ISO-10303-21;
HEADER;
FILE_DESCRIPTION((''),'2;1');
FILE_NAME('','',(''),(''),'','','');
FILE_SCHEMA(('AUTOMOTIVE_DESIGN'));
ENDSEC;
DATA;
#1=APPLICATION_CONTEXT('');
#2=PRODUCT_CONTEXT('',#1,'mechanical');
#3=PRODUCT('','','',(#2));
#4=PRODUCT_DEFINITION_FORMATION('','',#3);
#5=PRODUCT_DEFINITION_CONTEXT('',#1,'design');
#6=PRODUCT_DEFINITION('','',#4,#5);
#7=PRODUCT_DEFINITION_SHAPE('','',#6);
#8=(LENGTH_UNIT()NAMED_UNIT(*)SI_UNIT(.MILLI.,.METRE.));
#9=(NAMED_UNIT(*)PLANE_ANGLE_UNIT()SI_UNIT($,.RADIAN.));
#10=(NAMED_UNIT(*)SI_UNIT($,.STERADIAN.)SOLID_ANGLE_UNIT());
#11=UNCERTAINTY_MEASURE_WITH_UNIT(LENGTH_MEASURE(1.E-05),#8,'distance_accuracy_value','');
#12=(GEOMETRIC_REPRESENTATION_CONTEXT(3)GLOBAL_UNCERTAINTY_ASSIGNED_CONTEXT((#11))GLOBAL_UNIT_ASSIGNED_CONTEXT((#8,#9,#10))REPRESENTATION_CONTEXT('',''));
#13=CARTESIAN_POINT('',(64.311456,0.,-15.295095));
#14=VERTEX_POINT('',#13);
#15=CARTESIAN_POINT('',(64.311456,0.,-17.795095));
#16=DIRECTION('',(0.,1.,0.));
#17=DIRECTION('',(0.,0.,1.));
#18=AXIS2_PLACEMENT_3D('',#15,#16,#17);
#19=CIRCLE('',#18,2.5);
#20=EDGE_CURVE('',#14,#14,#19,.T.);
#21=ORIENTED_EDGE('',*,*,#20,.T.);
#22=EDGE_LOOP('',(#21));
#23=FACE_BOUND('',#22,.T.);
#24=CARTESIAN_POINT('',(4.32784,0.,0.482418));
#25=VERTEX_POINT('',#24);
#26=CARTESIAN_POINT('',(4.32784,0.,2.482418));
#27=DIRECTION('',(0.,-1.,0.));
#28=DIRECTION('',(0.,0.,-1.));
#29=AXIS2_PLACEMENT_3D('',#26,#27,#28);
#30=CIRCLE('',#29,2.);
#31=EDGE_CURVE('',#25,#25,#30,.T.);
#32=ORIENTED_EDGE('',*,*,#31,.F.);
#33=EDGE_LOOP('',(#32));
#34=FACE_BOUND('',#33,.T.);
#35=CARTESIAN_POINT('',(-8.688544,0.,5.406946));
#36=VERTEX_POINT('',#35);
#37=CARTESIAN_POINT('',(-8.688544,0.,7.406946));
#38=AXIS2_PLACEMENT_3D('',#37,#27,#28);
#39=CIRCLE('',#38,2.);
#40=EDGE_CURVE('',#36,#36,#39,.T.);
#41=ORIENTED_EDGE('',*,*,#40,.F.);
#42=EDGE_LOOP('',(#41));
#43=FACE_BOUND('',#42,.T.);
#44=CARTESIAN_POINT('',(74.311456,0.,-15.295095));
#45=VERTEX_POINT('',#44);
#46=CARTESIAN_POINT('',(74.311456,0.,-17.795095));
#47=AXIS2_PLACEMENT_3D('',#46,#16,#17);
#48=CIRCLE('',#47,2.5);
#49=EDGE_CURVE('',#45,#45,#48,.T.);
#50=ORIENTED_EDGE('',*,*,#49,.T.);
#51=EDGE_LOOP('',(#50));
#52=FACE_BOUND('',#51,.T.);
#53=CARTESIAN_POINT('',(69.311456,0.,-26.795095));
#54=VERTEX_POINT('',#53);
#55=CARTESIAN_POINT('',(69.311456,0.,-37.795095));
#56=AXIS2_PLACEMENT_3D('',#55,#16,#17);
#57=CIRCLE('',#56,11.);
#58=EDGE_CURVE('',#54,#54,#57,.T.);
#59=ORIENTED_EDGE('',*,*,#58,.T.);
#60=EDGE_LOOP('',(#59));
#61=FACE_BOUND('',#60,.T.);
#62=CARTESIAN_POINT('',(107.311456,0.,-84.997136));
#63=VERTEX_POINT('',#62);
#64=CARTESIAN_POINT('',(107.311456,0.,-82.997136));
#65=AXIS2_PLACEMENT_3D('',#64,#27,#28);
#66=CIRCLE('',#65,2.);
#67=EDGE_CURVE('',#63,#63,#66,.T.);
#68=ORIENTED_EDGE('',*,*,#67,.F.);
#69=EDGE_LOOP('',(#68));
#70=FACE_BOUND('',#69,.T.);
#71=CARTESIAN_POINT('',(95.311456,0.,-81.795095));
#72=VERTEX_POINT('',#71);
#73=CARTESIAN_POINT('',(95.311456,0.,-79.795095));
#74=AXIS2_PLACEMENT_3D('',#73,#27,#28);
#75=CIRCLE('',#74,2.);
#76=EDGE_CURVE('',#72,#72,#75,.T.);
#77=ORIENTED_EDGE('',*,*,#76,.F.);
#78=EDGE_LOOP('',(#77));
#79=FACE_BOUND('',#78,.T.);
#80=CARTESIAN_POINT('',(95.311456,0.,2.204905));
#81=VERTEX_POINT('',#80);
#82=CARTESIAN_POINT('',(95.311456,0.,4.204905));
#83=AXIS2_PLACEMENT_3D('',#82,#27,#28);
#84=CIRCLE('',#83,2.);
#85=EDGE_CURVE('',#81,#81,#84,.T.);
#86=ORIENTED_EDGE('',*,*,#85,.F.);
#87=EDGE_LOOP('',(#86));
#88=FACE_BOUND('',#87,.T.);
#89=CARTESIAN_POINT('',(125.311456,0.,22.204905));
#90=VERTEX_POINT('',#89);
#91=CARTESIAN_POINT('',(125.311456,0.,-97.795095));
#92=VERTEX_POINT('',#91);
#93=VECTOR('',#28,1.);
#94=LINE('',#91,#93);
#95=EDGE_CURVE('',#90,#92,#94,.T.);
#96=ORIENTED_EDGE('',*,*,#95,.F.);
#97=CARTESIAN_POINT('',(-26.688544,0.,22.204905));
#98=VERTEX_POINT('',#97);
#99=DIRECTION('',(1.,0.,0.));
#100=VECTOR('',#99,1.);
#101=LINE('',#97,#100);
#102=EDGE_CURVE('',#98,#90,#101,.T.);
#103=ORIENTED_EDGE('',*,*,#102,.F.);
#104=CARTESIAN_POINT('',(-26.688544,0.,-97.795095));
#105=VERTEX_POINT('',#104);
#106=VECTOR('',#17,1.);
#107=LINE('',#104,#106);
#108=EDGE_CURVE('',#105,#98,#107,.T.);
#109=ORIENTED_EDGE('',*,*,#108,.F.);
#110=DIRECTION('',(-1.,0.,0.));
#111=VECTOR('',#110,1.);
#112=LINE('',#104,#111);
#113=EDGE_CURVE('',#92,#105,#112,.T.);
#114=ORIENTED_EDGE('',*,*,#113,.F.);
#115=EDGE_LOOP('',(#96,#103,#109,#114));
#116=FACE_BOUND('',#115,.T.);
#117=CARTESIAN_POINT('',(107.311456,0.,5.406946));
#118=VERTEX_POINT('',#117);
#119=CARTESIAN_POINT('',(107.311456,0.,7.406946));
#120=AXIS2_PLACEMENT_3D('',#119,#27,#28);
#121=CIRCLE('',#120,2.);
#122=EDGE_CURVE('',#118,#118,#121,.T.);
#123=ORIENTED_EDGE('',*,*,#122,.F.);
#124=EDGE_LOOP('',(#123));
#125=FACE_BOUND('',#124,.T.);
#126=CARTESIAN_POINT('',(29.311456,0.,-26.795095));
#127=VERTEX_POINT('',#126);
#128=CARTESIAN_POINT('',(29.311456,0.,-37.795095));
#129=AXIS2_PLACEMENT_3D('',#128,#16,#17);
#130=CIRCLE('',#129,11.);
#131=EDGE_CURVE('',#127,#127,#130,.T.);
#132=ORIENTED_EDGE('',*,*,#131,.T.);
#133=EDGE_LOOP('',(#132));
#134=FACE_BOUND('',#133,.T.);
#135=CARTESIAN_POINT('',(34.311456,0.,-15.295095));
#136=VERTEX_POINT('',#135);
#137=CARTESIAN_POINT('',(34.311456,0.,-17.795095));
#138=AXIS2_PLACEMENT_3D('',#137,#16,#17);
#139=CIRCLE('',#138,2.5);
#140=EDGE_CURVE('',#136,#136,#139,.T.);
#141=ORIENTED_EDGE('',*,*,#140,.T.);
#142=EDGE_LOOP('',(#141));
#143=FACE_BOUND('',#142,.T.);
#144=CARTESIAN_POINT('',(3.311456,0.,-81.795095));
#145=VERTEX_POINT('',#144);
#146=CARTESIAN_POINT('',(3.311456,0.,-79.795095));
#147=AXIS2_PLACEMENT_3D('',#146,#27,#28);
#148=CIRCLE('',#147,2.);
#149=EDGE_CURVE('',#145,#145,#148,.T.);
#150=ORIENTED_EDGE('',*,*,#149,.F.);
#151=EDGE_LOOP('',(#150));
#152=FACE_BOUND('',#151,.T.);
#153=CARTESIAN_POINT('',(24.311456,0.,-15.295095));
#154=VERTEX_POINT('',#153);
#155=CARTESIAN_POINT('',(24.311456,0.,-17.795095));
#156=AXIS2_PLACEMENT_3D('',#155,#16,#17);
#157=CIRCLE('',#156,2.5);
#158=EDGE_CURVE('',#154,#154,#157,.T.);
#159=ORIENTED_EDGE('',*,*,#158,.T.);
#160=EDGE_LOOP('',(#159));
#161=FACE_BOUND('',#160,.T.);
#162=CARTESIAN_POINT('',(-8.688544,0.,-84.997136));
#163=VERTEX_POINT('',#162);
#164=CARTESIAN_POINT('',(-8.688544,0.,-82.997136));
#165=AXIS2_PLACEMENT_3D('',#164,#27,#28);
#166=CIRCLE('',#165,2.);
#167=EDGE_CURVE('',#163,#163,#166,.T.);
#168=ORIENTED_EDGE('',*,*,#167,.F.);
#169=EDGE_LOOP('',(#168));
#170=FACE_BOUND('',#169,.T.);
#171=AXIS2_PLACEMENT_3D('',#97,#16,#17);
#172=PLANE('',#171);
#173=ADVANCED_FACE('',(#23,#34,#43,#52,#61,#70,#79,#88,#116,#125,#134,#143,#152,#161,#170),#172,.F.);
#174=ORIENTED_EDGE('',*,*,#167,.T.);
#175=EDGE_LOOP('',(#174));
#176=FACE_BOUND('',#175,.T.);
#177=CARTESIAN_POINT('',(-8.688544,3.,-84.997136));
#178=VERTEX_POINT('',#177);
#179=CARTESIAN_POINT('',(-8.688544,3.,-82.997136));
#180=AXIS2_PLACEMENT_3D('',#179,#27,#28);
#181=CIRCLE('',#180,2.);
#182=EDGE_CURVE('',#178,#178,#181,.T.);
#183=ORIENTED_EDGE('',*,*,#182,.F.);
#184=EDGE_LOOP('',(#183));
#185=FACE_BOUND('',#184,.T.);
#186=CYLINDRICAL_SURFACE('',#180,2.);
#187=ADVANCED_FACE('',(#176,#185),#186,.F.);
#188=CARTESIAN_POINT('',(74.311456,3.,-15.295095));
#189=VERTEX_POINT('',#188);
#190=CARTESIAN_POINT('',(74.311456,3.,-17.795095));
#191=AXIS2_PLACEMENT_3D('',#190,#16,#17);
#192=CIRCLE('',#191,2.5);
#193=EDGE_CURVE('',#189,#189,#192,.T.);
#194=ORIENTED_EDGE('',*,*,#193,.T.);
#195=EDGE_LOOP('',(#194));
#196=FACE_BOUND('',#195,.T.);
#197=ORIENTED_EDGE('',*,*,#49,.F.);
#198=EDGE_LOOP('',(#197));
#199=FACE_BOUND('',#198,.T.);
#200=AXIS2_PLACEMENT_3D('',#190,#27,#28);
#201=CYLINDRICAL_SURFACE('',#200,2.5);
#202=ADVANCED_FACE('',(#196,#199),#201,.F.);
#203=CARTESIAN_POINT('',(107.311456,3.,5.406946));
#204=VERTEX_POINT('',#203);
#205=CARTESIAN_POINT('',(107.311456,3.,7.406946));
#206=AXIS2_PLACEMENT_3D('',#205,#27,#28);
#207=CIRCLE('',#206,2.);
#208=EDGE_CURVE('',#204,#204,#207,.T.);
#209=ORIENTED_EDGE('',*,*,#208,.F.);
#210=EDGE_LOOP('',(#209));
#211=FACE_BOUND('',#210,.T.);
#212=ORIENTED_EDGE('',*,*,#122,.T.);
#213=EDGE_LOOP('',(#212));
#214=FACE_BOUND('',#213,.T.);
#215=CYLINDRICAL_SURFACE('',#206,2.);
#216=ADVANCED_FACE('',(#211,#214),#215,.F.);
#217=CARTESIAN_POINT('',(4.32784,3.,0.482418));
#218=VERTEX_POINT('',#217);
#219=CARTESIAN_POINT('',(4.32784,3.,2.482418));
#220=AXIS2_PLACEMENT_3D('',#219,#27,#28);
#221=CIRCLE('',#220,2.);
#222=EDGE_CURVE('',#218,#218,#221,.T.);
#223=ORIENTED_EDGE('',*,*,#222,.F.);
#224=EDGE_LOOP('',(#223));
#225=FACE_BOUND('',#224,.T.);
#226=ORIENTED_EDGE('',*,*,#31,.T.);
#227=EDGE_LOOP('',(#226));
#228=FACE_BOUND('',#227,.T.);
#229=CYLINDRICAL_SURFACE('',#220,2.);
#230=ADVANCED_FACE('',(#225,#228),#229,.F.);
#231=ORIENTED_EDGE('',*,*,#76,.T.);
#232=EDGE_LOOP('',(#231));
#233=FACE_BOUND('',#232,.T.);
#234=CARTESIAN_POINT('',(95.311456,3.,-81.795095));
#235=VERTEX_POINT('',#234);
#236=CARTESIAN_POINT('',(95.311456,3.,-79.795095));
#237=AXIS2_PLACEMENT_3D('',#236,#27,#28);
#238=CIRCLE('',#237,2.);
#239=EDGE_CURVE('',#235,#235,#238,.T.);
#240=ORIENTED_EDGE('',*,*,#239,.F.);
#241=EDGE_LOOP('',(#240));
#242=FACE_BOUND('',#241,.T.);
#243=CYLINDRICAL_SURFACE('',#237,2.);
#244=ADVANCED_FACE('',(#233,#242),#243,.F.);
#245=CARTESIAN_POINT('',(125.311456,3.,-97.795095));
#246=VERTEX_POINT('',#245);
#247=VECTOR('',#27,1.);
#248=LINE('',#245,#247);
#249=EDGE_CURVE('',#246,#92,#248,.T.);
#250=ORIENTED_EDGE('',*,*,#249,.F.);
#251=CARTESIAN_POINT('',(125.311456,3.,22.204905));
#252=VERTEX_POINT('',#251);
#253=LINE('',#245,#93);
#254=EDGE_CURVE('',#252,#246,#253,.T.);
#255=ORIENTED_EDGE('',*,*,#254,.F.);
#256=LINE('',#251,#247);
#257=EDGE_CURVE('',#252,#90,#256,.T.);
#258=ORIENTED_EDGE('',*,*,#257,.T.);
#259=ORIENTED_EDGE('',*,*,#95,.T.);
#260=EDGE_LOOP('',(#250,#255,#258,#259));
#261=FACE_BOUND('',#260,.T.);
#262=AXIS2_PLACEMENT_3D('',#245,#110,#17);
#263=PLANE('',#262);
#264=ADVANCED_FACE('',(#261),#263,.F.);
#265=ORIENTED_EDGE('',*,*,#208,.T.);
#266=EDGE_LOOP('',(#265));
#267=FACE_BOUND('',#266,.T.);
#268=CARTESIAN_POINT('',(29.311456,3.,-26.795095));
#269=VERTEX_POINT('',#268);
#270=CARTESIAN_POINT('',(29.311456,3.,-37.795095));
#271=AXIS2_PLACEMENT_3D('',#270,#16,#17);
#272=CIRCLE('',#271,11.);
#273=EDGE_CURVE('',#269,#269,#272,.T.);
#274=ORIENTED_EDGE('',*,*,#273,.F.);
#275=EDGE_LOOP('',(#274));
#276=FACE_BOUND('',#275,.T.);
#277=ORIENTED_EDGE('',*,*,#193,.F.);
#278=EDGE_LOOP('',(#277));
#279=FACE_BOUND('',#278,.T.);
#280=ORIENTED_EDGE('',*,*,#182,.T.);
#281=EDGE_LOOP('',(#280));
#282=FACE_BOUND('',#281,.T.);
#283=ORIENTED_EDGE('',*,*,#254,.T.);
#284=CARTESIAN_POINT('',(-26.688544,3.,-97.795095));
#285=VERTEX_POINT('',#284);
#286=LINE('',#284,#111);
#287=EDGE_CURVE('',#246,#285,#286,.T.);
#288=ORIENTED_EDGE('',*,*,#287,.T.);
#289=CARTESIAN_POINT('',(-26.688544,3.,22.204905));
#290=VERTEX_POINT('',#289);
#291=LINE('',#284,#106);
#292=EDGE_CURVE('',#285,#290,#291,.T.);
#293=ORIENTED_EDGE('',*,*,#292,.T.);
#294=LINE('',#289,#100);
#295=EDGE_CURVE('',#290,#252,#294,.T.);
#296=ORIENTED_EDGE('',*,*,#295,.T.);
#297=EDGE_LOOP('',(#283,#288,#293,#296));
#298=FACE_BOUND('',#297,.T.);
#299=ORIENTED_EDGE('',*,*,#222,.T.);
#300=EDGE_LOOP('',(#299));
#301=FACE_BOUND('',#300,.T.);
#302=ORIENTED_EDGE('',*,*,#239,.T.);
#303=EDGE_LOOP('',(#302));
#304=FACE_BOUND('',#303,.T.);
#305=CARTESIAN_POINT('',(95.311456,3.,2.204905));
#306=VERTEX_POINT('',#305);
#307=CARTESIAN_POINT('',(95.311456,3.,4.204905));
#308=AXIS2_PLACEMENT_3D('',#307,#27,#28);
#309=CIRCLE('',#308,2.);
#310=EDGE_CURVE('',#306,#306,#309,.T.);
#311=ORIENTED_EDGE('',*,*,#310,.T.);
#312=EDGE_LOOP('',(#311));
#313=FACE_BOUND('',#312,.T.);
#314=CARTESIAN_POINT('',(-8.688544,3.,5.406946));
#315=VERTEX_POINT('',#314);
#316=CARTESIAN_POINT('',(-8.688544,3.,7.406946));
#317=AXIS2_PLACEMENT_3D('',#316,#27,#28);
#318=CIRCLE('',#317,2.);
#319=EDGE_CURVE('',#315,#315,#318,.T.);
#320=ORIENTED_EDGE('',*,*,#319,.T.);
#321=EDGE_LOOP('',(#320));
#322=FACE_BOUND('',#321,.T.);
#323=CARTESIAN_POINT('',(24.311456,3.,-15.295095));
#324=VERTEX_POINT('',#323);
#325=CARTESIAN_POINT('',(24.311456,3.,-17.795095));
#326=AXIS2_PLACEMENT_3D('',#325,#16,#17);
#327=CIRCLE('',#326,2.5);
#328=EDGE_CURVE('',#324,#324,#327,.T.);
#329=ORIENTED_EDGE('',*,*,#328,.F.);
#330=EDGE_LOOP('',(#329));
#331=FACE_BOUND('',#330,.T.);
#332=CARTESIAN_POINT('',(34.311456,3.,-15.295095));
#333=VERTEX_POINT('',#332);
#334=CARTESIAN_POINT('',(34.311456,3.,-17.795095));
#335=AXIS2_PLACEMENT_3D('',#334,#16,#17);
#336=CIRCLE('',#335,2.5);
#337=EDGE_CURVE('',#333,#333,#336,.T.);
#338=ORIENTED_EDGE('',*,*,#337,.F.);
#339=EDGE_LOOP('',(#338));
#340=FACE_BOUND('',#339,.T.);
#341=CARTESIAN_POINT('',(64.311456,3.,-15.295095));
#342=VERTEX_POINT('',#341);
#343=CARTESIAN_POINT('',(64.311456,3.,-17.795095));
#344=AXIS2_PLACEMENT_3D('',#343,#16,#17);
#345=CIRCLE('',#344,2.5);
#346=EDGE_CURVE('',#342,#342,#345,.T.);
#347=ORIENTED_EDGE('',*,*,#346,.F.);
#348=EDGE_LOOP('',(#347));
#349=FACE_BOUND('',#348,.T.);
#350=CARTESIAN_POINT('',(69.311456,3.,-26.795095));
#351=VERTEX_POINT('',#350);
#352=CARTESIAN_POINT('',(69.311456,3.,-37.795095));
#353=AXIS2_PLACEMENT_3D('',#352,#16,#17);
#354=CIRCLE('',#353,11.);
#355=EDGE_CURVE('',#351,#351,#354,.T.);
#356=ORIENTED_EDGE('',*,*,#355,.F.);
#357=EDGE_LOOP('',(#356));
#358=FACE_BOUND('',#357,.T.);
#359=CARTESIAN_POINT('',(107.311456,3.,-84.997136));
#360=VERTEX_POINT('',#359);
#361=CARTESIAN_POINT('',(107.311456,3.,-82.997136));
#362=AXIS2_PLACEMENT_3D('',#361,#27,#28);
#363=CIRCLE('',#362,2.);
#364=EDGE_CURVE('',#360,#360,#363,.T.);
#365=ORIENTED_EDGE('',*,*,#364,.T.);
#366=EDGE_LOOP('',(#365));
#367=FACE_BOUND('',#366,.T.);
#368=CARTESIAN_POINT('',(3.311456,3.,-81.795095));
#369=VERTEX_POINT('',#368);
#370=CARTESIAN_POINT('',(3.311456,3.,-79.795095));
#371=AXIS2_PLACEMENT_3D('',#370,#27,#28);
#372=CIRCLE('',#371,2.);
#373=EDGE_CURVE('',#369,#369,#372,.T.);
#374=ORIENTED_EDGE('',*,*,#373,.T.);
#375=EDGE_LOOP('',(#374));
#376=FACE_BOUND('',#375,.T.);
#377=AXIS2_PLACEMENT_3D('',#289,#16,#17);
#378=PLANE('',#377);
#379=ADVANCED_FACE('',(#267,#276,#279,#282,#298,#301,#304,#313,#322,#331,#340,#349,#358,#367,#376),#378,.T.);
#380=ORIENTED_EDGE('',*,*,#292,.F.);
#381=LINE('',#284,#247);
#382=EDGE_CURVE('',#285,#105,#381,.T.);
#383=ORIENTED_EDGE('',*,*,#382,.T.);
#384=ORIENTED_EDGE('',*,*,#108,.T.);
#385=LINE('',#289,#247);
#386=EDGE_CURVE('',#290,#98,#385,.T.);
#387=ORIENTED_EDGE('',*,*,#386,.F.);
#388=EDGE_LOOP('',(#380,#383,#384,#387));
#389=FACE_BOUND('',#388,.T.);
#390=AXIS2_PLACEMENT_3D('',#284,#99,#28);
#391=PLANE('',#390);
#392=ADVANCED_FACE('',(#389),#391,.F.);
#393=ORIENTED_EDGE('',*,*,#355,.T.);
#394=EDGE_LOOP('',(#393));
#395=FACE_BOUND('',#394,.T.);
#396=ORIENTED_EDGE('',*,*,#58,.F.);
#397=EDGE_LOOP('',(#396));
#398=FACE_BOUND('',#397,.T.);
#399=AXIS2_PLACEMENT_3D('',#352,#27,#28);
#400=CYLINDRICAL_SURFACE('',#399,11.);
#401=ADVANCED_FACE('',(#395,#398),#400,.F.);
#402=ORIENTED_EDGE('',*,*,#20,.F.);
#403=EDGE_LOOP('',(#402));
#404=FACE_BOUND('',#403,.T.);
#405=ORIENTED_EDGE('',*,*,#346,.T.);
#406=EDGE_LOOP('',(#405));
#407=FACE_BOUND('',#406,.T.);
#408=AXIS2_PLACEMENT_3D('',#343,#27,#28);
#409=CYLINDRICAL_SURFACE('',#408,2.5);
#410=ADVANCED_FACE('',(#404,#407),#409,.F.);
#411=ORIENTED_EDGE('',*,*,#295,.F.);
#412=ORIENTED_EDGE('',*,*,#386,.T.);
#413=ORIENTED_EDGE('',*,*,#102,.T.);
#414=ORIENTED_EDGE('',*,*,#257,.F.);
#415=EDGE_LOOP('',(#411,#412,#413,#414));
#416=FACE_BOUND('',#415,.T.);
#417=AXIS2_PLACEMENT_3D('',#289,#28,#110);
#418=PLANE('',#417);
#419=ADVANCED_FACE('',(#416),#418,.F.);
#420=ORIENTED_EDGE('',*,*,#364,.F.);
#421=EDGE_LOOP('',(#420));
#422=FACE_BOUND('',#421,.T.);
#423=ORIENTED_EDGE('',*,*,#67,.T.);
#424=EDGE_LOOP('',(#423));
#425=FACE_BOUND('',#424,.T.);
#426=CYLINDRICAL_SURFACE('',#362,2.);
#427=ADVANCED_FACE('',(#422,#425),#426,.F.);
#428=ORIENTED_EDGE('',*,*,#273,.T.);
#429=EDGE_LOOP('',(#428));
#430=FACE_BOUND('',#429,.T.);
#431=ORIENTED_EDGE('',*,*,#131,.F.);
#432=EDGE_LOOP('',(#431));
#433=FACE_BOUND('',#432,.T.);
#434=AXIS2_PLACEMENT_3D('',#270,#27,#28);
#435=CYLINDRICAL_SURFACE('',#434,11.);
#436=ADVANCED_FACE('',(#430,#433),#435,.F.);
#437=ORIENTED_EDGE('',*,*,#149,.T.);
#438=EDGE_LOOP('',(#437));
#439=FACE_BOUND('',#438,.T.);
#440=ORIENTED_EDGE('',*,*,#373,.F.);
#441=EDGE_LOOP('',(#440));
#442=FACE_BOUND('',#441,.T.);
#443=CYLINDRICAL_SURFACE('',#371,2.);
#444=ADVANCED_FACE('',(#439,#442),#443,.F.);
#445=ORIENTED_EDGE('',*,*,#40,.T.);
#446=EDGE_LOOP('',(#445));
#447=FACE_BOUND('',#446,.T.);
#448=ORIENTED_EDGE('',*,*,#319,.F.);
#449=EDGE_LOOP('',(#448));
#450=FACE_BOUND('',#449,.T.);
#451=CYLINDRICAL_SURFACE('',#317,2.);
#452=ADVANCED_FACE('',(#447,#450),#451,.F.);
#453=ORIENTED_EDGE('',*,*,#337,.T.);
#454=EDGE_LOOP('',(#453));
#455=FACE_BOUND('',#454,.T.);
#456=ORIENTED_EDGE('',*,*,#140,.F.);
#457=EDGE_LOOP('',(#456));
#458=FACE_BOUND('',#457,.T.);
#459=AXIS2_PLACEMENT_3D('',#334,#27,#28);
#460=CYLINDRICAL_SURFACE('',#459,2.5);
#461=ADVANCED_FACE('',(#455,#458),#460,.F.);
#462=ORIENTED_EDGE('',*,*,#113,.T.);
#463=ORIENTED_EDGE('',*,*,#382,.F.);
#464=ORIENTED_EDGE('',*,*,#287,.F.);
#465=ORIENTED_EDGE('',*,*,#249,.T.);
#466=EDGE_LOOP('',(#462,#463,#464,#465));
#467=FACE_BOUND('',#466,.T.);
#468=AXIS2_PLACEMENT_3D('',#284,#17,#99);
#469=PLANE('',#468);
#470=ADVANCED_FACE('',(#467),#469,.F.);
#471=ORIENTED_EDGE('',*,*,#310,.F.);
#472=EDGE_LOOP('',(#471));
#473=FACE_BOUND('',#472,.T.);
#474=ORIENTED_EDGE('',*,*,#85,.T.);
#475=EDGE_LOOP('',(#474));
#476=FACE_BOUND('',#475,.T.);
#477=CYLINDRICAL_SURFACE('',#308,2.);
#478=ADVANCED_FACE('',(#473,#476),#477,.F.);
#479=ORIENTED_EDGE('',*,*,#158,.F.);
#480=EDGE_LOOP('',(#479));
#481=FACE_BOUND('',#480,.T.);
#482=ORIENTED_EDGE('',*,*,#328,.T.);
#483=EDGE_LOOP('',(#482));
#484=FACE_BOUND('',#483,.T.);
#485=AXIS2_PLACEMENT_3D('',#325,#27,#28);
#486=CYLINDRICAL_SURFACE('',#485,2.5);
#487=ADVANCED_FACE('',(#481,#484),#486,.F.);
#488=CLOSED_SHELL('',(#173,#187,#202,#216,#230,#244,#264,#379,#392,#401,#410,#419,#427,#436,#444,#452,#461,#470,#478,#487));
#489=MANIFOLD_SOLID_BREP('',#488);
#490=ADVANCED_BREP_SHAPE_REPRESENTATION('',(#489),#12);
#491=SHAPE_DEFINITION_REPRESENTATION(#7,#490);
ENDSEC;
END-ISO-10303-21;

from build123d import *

# Parameters (mm, degrees)
SKETCH1_W           = 152
SKETCH1_H           = 120
SKETCH1_R           = 2.5
SKETCH1_R_2         = 11
BOSS_EXTRUDE1_DEPTH = 3
SKETCH2_R           = 2
CUT_EXTRUDE1_DEPTH  = 4


with BuildPart() as part:
    # Sketch1 → Boss-Extrude1 (new body)
    with BuildSketch(Plane(origin=(0, 0, 0), x_dir=(1, 0, 0), z_dir=(0, 1, 0))):
        with Locations((49.311456102, 37.795094937)):
            Rectangle(SKETCH1_W, SKETCH1_H)
        with Locations((24.311456102, 17.795094937)):
            Circle(SKETCH1_R, mode=Mode.SUBTRACT)
        with Locations((34.311456102, 17.795094937)):
            Circle(SKETCH1_R, mode=Mode.SUBTRACT)
        with Locations((64.311456102, 17.795094937)):
            Circle(SKETCH1_R, mode=Mode.SUBTRACT)
        with Locations((74.311456102, 17.795094937)):
            Circle(SKETCH1_R, mode=Mode.SUBTRACT)
        with Locations((29.311456102, 37.795094937)):
            Circle(SKETCH1_R_2, mode=Mode.SUBTRACT)
        with Locations((69.311456102, 37.795094937)):
            Circle(SKETCH1_R_2, mode=Mode.SUBTRACT)
    extrude(amount=BOSS_EXTRUDE1_DEPTH)

    # Sketch2 → Cut-Extrude1 (cut, through all)
    with BuildSketch(Plane.XZ):
        with Locations((4.327840203, 2.482417514)):
            Circle(SKETCH2_R)
        with Locations((95.311456102, -79.795094937)):
            Circle(SKETCH2_R)
        with Locations((3.311456102, -79.795094937)):
            Circle(SKETCH2_R)
        with Locations((-8.688543898, -82.997135966)):
            Circle(SKETCH2_R)
        with Locations((95.311456102, 4.204905063)):
            Circle(SKETCH2_R)
        with Locations((107.311456102, -82.997135966)):
            Circle(SKETCH2_R)
        with Locations((-8.688543898, 7.406946092)):
            Circle(SKETCH2_R)
        with Locations((107.311456102, 7.406946092)):
            Circle(SKETCH2_R)
    extrude(amount=-CUT_EXTRUDE1_DEPTH, mode=Mode.SUBTRACT)


solid = part.part
